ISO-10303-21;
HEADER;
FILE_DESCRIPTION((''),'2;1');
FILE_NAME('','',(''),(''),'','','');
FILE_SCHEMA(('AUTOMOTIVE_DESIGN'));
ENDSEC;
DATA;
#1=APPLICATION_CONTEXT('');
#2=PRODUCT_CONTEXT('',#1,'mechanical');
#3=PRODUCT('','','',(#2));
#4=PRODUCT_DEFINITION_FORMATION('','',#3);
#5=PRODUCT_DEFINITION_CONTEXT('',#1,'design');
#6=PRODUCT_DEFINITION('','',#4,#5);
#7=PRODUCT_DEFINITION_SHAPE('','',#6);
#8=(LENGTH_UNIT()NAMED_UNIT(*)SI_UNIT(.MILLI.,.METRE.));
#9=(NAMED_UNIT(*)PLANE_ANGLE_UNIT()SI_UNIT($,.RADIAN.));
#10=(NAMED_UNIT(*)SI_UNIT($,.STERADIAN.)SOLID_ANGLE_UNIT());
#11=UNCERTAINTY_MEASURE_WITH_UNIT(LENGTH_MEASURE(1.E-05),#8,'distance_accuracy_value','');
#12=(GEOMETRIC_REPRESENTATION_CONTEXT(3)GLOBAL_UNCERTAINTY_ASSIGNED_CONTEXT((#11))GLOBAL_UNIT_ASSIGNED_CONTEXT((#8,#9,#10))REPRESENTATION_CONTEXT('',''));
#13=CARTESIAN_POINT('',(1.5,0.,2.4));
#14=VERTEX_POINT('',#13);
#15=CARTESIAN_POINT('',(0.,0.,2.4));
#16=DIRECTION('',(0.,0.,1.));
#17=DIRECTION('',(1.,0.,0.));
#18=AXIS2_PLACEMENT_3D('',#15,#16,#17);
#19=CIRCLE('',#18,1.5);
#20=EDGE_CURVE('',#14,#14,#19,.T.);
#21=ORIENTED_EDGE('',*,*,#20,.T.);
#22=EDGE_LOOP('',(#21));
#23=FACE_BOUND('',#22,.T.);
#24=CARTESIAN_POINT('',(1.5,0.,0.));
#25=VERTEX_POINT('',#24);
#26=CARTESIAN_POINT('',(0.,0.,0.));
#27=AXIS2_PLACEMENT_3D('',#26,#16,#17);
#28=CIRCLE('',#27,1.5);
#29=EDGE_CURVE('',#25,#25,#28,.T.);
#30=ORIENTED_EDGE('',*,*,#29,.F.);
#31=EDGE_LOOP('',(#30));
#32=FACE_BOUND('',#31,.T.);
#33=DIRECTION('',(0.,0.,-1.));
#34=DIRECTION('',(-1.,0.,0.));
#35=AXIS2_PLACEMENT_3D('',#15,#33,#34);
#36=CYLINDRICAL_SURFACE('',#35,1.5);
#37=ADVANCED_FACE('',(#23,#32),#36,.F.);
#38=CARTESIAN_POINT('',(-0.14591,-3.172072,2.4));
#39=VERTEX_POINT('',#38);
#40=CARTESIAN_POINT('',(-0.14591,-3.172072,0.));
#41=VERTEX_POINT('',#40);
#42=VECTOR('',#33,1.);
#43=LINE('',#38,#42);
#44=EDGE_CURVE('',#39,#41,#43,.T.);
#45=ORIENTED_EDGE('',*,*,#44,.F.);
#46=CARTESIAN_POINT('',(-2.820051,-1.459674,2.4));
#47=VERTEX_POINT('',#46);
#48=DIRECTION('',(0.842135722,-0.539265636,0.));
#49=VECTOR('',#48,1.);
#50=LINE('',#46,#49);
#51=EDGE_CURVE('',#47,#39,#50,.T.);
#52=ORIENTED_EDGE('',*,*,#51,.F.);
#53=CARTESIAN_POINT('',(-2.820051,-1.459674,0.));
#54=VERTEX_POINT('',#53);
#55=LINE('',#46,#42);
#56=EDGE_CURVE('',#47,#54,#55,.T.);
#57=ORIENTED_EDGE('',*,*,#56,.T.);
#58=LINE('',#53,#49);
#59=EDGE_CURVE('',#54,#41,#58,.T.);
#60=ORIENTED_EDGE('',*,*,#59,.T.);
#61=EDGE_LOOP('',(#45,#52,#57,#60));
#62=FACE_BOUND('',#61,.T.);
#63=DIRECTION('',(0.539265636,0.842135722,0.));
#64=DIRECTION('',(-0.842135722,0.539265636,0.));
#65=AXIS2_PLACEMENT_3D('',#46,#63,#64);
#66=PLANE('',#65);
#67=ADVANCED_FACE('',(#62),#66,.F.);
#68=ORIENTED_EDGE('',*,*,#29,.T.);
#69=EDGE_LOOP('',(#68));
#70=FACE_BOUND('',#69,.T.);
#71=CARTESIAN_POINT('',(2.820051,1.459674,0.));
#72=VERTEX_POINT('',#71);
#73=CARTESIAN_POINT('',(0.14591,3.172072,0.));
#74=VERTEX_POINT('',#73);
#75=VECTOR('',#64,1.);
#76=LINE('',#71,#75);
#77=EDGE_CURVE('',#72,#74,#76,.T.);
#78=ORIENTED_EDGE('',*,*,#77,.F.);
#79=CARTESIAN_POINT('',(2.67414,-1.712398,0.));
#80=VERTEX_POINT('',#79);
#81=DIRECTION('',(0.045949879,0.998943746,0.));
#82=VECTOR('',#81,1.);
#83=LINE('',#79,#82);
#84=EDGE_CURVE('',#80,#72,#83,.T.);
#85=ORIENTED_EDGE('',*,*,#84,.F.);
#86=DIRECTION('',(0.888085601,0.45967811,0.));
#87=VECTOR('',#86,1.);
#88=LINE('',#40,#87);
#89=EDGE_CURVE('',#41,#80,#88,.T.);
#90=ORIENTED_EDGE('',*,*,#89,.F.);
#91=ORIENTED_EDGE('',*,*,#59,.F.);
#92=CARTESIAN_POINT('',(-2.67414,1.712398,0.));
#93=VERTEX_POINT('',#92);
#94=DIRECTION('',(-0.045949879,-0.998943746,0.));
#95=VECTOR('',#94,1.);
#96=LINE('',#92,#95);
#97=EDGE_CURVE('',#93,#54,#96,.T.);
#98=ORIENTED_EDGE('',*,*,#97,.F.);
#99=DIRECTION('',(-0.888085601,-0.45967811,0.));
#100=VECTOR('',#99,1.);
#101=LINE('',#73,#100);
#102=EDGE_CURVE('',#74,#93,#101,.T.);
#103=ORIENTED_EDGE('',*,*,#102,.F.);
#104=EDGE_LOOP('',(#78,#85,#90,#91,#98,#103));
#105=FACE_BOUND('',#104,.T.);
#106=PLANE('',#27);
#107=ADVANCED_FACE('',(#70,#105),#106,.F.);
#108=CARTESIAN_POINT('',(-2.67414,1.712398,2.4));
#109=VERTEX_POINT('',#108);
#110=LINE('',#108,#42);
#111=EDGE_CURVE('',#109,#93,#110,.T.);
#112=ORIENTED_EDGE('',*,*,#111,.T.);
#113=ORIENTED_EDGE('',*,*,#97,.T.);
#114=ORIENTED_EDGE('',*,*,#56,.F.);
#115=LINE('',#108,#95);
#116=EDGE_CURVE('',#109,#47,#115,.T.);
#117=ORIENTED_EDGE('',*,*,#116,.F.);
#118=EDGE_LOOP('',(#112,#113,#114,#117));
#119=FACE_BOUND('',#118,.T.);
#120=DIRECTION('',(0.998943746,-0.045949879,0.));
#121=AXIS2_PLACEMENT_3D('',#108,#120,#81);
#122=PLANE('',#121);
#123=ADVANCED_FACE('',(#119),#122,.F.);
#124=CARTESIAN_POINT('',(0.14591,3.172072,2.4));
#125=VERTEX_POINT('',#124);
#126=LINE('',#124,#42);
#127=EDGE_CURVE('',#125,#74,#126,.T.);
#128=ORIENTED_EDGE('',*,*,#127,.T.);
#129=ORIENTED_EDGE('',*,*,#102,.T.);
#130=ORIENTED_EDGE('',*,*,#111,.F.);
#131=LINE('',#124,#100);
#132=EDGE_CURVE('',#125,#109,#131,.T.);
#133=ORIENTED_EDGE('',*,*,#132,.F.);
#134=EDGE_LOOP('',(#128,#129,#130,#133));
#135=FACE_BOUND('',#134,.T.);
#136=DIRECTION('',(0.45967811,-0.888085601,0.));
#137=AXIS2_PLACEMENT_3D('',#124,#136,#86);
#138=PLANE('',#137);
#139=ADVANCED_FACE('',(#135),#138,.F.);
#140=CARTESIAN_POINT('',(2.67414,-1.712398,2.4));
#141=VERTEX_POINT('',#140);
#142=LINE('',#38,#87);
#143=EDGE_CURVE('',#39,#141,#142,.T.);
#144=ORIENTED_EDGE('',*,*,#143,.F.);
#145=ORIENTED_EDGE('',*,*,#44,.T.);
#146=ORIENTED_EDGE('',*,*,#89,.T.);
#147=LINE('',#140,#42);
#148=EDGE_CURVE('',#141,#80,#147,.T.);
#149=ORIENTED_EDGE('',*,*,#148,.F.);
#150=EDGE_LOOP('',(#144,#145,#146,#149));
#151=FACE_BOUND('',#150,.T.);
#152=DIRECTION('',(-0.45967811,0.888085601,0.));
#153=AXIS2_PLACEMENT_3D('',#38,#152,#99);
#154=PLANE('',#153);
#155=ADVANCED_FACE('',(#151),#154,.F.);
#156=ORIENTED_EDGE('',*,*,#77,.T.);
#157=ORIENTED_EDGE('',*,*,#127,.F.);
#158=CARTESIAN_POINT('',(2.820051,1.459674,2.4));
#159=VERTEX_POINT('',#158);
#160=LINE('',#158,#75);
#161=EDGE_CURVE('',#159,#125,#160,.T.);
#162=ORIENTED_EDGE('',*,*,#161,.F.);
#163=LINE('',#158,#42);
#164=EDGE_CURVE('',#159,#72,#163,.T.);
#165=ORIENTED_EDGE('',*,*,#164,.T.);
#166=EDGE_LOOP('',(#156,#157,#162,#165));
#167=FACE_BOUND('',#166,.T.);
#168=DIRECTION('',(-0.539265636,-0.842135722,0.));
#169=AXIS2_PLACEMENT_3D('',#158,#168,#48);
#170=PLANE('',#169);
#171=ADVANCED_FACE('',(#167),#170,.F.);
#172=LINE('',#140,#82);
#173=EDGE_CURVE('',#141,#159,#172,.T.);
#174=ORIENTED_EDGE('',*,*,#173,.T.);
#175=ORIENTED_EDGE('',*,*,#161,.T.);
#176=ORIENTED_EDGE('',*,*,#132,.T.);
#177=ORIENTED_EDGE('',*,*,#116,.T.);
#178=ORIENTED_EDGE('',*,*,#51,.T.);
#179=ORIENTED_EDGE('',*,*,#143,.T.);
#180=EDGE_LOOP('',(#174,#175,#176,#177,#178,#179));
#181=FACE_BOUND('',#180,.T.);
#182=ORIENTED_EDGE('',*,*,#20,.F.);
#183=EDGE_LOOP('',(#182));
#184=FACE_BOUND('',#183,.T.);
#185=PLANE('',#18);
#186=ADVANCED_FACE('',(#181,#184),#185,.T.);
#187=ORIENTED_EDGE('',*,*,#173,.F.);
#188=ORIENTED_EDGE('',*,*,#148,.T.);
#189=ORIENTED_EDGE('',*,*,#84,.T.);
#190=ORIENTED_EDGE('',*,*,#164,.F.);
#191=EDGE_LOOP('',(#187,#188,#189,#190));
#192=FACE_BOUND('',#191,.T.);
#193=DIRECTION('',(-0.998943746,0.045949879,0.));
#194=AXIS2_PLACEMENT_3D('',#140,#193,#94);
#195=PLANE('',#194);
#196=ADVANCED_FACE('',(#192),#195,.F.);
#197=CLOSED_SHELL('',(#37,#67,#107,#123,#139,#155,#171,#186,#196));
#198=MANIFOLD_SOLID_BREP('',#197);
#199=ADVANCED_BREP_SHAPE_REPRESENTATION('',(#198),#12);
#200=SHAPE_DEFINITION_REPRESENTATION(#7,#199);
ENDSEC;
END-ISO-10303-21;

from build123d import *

# Parameters (mm, degrees)
SKETCH_1_R      = 1.5
EXTRUDE_1_DEPTH = 2.4


with BuildPart() as part:
    # ｽｹｯﾁ1 → ﾎﾞｽ - 押し出し1 (new body)
    with BuildSketch(Plane.XY):
        Polygon((-2.820050535, -1.459674044), (-0.145910464, -3.172072425), (2.674140071, -1.712398381), (2.820050535, 1.459674044), (0.145910464, 3.172072425), (-2.674140071, 1.712398381), align=None)
        Circle(SKETCH_1_R, mode=Mode.SUBTRACT)
    extrude(amount=EXTRUDE_1_DEPTH)


solid = part.part
